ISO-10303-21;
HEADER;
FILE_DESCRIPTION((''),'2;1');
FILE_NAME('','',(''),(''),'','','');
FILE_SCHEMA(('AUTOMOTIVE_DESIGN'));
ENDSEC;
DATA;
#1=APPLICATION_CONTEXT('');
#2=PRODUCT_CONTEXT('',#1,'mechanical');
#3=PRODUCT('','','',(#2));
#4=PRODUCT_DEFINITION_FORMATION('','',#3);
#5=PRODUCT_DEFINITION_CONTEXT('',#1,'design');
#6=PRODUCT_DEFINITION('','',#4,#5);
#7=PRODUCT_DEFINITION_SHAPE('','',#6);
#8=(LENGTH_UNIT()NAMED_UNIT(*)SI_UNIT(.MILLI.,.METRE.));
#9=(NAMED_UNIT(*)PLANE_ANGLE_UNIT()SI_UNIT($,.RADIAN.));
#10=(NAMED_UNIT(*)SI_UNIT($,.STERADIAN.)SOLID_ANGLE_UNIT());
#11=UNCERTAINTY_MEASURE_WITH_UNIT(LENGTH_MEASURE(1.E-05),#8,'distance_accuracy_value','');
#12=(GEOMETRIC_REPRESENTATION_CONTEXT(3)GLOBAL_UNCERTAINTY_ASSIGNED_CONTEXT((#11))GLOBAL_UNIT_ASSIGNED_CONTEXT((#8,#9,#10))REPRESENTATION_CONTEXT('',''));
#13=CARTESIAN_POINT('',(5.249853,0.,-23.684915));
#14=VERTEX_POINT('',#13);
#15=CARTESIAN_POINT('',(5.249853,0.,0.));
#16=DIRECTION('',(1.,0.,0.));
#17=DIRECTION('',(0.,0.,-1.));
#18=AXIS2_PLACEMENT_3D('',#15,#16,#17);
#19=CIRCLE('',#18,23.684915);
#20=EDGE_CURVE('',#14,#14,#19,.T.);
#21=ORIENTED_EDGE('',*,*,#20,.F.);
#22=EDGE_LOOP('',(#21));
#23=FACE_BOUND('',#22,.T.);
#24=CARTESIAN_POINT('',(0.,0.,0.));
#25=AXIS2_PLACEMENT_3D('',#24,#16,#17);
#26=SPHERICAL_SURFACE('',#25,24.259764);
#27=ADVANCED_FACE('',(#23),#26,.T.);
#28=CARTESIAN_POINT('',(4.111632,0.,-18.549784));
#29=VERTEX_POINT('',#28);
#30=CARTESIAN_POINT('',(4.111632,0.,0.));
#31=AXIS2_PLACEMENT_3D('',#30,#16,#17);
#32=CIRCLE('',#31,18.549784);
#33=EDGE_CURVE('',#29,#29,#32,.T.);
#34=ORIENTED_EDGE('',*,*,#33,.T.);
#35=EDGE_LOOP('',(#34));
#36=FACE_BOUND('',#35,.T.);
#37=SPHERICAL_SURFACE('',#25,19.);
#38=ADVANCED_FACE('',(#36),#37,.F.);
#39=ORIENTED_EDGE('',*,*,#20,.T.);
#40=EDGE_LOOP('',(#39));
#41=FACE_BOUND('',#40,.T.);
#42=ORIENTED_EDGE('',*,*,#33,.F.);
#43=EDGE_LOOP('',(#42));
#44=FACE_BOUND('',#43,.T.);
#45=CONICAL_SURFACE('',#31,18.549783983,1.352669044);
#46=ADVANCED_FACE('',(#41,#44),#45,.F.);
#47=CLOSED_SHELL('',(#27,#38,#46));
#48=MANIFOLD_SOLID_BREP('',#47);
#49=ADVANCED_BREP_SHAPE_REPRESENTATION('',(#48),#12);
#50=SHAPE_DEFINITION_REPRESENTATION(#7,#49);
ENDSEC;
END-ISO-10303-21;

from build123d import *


with BuildPart() as part:
    # Croquis1 → Revolución1 (revolve)
    with BuildSketch(Plane(origin=(0, 0, 0), x_dir=(1, 0, 0), z_dir=(0, 1, 0))):
        with BuildLine():
            Line((-19, 0), (-24.259763925, 0))
            ThreePointArc((-24.259763925, 0), (-15.185123407, 18.919518303), (5.249853227, 23.684914751))
            Line((5.249853227, 23.684914751), (4.111631573, 18.549783983))
            ThreePointArc((4.111631573, 18.549783983), (-11.892833979, 14.817574024), (-19, 0))
        make_face()
    revolve(axis=Axis((-19, 0, 0), (-1, 0, 0)))


solid = part.part
